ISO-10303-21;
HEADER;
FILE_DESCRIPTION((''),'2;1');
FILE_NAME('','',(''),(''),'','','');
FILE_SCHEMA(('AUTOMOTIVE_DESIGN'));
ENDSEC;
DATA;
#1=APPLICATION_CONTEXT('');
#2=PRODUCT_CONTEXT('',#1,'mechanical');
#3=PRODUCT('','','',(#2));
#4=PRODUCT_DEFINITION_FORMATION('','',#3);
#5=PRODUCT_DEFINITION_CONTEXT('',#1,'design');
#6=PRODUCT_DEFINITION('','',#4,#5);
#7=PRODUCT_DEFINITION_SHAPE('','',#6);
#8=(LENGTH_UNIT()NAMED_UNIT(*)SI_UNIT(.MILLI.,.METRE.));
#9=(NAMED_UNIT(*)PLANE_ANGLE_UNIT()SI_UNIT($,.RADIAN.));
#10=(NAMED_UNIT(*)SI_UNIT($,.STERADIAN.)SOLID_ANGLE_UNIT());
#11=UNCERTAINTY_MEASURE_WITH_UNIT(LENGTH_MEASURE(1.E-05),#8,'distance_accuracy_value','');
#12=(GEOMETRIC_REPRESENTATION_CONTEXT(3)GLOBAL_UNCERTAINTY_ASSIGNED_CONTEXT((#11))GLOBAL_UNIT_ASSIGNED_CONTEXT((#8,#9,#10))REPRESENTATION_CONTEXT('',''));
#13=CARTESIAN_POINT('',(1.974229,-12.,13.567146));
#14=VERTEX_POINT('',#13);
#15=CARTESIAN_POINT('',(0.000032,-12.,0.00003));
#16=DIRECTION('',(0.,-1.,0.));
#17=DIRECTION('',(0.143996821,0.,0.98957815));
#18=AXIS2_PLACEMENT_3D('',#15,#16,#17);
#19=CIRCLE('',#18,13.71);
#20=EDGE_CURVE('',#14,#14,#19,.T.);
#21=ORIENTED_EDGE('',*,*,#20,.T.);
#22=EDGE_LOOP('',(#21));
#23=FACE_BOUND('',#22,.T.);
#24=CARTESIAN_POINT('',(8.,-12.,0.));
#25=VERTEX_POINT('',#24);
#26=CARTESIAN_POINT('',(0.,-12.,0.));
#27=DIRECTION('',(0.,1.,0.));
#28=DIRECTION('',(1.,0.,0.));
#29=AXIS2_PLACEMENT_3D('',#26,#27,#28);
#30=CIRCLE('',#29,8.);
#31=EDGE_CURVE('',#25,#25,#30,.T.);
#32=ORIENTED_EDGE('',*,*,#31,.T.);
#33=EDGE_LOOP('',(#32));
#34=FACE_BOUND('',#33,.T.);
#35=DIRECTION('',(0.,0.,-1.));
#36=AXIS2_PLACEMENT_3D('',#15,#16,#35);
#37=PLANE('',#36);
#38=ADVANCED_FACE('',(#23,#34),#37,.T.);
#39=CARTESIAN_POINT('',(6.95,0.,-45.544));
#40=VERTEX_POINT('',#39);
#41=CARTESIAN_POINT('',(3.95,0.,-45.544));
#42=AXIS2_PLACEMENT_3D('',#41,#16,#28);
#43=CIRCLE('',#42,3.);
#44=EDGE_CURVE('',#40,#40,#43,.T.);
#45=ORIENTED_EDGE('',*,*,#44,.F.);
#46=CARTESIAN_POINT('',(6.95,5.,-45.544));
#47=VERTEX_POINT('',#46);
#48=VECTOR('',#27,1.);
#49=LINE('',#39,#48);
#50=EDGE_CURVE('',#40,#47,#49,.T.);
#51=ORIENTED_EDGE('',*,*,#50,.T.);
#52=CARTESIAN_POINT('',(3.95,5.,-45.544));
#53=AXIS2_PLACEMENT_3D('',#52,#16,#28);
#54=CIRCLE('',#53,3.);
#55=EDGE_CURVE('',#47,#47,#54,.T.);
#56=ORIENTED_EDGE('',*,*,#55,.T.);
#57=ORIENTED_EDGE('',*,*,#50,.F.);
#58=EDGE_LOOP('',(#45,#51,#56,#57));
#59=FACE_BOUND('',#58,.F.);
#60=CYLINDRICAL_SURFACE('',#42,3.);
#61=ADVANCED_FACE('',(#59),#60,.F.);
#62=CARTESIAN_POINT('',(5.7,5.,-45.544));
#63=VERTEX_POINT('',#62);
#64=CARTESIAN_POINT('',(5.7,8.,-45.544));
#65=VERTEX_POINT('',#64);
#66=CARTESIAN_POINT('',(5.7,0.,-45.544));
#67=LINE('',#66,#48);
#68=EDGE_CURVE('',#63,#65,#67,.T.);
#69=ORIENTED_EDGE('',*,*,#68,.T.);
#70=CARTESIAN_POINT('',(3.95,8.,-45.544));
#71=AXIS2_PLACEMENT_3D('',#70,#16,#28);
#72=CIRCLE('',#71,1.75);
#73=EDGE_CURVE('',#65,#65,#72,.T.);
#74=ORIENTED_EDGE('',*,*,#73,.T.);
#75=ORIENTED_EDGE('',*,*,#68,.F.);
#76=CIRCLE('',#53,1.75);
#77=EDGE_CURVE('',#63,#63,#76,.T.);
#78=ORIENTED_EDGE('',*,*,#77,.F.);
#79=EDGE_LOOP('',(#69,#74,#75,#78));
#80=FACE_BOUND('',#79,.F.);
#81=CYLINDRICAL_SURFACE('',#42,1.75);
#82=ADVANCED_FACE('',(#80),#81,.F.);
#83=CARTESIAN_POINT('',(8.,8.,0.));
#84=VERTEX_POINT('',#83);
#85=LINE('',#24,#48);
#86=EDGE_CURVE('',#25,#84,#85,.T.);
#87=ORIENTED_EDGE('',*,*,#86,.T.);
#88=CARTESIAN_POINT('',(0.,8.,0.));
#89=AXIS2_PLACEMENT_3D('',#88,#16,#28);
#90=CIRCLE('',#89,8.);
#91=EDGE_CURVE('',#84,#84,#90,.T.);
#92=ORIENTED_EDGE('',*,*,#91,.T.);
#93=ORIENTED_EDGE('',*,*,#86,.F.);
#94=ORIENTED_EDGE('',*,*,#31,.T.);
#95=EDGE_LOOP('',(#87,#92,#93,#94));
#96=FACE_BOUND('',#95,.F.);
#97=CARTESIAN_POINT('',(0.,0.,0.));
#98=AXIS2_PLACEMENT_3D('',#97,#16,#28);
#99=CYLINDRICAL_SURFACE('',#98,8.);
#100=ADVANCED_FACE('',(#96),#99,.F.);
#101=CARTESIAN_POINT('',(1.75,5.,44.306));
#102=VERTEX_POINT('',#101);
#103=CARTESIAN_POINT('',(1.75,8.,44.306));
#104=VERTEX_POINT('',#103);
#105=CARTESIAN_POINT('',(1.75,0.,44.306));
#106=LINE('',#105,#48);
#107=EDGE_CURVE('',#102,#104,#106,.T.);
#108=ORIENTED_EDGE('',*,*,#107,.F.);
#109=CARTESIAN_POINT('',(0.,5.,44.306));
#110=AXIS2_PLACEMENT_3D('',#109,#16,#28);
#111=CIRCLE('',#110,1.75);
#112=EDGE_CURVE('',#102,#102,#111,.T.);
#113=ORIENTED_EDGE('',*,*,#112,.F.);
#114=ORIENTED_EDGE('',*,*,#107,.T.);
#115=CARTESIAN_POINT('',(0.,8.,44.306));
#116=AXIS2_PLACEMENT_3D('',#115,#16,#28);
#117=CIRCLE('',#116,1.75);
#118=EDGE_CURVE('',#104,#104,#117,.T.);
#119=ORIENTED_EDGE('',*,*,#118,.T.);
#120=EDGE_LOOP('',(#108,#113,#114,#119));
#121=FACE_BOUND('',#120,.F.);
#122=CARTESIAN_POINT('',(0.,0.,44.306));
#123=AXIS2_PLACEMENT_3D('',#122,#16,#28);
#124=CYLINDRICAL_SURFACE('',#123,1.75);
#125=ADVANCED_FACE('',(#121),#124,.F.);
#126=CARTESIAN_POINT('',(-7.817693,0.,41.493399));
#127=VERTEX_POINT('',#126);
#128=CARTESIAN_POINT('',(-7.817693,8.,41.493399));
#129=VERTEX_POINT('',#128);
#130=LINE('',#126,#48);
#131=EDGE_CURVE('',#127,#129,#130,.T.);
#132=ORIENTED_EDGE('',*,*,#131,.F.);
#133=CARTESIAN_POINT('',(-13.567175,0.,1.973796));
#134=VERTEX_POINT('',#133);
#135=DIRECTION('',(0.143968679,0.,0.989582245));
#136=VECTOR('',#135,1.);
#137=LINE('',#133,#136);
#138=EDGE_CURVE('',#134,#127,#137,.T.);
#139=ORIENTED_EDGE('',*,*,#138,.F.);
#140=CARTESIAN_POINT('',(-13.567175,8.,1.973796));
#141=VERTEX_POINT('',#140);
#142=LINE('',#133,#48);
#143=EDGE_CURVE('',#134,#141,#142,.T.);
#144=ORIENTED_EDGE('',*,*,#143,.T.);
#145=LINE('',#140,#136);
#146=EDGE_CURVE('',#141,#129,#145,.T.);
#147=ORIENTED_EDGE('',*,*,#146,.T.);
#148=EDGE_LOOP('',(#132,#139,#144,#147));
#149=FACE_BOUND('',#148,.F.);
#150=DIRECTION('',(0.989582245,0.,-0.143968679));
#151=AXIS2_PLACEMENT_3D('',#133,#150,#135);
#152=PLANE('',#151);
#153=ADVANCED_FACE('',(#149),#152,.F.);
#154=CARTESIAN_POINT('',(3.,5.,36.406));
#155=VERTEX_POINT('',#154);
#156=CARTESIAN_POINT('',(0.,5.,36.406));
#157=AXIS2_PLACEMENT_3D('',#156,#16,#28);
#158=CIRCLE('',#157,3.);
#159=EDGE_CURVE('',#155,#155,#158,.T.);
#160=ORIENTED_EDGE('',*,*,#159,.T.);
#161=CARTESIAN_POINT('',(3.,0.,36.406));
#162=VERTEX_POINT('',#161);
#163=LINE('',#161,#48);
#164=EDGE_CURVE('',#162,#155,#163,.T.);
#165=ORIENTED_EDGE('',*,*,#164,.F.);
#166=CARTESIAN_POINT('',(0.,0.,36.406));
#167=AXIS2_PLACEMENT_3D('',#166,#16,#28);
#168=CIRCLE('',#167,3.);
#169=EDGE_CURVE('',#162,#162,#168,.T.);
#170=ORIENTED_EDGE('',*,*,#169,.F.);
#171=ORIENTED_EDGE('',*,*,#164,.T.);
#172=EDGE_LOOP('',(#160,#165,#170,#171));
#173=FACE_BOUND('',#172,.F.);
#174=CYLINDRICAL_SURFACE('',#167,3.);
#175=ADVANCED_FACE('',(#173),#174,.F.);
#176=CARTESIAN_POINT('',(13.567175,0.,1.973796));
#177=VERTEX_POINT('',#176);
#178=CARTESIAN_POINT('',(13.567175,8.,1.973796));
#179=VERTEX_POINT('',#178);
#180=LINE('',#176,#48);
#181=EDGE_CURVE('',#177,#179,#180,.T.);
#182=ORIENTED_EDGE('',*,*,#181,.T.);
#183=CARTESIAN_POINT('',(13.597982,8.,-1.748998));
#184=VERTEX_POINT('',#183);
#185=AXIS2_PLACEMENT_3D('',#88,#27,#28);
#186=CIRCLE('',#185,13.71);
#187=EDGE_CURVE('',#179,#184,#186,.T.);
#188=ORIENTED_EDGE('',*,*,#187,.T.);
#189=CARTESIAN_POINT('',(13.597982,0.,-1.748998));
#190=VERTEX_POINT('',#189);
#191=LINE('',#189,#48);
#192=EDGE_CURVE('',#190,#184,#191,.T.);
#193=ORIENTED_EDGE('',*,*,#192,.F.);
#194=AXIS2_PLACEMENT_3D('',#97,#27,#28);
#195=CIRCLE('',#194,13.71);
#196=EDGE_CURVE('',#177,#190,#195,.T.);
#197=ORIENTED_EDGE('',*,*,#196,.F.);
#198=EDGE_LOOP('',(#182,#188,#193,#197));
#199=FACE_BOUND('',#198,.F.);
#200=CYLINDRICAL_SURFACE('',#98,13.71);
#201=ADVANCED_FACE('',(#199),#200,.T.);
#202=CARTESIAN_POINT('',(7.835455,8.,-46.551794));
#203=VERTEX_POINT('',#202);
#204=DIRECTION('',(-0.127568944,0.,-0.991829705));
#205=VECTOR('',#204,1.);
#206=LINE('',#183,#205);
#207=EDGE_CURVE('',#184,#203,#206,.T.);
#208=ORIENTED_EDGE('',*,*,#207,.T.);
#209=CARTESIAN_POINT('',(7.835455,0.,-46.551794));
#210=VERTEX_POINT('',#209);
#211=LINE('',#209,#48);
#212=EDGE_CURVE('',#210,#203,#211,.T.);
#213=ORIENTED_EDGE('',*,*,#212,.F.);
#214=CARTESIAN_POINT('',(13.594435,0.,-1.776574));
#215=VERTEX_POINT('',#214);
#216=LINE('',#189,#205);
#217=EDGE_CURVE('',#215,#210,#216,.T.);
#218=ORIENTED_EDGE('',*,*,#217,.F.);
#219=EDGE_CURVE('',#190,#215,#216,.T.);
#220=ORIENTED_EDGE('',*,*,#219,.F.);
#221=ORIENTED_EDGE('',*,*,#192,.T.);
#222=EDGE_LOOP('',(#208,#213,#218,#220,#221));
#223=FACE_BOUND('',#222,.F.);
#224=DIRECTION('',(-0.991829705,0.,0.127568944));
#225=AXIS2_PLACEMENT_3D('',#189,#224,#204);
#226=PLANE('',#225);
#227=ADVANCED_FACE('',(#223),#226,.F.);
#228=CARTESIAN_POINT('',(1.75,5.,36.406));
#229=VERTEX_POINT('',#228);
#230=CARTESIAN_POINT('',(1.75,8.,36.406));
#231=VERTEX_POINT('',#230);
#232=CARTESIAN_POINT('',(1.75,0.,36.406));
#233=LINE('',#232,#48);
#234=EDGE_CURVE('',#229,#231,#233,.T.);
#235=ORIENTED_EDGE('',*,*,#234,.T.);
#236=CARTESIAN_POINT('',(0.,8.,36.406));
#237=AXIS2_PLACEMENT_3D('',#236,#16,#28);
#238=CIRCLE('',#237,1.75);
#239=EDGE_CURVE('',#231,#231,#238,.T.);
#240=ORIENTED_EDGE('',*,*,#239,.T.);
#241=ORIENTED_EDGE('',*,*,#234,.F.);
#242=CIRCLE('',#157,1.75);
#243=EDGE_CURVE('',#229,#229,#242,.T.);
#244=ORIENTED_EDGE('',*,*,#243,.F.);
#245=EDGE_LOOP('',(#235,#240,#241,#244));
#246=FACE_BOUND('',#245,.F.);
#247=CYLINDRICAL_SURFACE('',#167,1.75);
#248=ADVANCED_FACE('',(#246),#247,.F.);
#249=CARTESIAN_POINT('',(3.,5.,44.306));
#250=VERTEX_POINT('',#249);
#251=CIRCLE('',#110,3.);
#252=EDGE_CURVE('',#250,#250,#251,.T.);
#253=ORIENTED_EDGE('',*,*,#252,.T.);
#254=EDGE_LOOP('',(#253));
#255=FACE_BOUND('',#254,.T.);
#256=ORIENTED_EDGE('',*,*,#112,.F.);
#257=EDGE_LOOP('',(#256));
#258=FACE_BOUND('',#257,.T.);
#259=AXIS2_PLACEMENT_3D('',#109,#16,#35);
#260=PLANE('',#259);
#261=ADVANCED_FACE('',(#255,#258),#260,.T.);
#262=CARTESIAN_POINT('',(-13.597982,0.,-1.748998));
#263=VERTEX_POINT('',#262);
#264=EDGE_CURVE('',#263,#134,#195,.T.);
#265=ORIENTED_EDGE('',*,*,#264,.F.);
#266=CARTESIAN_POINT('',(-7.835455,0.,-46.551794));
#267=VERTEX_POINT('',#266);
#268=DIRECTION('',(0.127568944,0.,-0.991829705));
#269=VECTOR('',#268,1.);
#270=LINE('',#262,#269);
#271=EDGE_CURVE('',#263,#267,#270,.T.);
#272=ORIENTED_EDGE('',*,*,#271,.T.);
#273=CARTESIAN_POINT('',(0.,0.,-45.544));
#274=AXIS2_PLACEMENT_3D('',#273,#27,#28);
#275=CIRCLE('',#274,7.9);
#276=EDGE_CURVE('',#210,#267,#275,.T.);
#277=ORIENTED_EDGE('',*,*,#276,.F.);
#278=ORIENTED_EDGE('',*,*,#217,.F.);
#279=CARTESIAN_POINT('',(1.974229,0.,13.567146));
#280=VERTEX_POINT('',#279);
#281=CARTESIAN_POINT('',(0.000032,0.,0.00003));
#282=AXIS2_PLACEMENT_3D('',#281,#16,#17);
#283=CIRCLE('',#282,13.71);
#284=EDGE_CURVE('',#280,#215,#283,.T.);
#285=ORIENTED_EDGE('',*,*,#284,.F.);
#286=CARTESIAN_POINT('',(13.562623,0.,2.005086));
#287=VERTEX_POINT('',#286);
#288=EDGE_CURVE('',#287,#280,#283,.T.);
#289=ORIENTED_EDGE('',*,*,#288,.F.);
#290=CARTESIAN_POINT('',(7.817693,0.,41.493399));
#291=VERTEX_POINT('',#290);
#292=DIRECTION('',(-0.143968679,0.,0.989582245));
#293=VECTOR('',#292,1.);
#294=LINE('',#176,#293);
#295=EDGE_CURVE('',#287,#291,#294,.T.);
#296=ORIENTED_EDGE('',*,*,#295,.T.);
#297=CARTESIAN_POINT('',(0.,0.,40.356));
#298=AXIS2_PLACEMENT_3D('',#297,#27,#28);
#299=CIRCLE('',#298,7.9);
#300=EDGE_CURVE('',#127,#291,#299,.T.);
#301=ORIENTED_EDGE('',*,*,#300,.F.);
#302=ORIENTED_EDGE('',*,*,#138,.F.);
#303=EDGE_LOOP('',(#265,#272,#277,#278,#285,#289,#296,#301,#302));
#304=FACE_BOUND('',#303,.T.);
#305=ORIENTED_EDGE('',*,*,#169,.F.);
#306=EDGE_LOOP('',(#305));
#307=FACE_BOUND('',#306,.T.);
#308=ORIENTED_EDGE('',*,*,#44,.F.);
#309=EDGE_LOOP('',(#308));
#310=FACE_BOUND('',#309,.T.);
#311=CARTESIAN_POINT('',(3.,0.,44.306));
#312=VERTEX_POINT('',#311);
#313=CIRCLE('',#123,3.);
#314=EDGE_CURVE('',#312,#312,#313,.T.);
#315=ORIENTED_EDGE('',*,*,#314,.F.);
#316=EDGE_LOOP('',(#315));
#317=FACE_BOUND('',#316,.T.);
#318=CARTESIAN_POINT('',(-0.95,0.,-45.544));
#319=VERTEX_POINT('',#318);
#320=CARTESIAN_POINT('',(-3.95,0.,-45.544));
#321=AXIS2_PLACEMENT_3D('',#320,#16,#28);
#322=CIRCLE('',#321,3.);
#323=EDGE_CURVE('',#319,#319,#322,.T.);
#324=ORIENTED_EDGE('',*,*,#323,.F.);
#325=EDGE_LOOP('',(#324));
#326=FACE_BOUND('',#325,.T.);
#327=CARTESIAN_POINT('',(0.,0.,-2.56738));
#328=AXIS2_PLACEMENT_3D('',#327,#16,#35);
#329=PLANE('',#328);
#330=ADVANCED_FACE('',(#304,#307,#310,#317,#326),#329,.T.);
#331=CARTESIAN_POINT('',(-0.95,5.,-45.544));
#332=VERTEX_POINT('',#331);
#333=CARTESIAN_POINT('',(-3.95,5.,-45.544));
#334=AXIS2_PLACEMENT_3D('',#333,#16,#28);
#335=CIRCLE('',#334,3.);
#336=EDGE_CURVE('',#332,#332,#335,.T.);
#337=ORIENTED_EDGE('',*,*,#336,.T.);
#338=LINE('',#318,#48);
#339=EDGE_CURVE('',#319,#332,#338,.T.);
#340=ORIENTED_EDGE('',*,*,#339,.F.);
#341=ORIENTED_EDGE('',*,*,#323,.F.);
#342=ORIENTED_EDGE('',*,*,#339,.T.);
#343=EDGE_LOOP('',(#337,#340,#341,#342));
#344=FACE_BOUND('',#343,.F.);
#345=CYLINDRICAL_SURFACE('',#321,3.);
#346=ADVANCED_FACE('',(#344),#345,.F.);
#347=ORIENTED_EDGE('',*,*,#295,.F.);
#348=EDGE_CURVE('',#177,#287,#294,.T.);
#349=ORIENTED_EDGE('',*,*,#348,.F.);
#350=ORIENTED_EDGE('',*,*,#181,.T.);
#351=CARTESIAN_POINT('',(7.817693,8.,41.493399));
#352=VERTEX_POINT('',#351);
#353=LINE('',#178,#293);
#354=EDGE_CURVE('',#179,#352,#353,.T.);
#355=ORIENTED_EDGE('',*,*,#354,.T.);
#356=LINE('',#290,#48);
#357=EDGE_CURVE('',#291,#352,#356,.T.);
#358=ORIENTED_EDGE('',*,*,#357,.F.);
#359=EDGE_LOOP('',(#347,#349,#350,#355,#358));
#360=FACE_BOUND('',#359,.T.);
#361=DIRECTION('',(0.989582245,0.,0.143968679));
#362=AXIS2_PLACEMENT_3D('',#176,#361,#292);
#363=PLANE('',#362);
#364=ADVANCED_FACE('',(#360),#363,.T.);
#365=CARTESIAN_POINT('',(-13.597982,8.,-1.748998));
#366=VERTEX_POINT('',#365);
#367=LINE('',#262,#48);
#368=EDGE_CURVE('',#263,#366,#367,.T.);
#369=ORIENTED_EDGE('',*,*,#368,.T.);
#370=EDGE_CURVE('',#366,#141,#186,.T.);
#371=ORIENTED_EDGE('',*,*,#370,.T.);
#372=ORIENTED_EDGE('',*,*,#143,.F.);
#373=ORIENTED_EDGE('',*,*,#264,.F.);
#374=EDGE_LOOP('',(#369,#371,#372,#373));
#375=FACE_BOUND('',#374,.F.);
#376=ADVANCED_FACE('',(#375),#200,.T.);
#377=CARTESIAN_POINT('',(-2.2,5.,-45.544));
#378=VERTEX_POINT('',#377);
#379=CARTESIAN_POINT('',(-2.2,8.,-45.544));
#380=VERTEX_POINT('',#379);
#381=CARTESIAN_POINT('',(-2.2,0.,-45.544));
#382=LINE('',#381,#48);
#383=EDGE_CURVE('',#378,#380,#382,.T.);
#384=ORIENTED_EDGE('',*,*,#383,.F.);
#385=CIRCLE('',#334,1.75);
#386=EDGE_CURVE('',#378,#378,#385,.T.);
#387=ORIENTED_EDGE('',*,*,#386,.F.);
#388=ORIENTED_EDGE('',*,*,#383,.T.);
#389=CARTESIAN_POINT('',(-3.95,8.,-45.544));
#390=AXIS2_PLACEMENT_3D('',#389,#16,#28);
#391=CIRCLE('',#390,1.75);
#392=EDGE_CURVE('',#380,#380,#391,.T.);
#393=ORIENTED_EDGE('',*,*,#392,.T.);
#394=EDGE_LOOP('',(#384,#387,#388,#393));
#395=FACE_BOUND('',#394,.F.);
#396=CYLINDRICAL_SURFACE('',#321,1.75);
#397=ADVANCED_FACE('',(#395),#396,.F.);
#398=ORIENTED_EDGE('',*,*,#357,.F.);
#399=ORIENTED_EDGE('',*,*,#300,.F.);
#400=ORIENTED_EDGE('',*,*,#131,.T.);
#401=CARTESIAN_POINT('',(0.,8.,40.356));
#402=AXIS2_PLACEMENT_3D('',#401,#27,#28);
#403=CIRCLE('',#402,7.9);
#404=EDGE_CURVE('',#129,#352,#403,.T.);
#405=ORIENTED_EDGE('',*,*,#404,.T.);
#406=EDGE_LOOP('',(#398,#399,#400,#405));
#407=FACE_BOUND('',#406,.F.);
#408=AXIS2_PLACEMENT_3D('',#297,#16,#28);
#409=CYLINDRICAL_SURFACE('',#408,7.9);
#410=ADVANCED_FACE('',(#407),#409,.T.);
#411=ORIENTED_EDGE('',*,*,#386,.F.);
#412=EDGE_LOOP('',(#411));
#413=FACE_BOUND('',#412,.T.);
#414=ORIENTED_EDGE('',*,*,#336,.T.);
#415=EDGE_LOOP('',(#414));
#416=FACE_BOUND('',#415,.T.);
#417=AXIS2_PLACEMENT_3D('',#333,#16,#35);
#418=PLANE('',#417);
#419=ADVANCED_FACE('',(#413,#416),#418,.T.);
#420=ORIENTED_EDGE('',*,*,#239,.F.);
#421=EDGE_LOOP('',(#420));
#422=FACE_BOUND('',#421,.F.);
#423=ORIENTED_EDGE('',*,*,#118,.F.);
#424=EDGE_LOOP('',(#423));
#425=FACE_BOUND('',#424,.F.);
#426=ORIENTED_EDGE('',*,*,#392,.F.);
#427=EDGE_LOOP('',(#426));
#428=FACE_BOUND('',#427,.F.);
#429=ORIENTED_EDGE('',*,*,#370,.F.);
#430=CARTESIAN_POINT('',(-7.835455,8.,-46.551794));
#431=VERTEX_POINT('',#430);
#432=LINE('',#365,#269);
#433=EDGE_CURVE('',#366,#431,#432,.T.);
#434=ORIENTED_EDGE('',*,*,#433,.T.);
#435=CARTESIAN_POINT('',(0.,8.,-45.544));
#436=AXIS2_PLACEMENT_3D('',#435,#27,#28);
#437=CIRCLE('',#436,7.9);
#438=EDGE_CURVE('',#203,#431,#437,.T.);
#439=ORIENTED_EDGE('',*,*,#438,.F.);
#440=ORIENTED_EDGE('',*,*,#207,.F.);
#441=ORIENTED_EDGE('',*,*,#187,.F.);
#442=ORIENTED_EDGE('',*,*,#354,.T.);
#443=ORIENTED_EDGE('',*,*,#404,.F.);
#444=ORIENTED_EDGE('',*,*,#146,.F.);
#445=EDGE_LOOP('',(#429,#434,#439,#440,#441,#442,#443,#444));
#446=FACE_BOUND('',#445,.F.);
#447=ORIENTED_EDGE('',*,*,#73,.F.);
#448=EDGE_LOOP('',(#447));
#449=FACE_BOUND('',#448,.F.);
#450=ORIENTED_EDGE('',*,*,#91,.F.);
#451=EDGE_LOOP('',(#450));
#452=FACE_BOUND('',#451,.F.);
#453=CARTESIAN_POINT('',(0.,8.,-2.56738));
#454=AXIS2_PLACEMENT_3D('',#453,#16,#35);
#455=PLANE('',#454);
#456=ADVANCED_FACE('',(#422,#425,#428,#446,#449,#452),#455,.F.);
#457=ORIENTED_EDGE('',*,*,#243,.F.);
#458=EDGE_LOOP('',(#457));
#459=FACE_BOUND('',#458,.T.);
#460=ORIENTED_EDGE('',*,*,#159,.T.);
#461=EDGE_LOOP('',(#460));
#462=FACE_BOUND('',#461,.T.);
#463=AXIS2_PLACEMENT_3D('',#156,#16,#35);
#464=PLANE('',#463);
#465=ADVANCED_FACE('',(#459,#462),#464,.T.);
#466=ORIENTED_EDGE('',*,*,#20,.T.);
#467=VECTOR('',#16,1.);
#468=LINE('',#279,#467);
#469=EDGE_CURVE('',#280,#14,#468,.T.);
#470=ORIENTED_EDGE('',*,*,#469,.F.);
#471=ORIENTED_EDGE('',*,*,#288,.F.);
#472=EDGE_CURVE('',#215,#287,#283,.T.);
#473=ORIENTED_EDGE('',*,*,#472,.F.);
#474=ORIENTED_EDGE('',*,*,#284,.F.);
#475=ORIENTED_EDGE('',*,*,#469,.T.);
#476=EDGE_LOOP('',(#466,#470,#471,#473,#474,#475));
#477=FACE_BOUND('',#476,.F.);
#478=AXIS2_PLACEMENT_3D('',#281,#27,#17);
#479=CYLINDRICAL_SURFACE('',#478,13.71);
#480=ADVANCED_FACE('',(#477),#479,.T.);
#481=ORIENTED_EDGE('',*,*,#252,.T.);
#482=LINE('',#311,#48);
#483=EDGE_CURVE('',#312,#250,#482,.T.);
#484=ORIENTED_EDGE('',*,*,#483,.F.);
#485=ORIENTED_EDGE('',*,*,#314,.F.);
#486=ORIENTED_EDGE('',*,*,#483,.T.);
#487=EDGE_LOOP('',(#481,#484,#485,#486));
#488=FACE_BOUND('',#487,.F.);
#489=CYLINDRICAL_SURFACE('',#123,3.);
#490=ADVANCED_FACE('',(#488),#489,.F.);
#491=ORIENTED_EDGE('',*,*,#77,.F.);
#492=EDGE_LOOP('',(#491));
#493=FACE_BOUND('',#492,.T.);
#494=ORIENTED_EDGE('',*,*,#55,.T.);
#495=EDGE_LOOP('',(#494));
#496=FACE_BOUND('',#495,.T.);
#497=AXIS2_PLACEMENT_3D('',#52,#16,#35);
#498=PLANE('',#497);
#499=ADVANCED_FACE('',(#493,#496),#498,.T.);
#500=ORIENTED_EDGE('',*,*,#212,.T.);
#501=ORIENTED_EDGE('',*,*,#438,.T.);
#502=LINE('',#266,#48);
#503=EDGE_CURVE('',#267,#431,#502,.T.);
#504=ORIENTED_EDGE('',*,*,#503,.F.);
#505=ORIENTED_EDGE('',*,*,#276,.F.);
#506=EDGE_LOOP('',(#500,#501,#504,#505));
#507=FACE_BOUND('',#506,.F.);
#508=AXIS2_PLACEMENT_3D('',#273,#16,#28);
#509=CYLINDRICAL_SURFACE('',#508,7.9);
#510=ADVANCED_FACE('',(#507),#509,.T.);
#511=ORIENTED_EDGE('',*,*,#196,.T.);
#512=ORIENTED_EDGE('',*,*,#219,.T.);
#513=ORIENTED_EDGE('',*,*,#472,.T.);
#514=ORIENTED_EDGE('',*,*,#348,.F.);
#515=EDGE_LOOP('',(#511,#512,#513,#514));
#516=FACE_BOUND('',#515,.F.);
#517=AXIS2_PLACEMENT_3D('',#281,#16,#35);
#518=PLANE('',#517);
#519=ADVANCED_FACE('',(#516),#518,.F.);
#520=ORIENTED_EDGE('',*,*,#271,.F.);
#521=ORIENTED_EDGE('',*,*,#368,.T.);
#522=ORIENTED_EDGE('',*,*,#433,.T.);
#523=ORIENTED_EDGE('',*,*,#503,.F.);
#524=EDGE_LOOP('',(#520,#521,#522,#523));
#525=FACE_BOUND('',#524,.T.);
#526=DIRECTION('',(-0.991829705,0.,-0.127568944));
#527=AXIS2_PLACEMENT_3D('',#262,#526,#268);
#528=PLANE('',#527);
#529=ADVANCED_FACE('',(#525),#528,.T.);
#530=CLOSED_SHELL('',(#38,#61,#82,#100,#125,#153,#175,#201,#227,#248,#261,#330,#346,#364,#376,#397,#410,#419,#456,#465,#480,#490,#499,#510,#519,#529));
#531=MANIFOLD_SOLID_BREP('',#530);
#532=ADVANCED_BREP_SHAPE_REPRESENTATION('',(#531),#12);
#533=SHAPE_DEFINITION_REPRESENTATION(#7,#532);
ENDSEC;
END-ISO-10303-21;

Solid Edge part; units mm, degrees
sketch "Sketch1" plane through (0, 0, 0) normal (0, -1, 0) x (1, 0, 0)
  line L0 (13.5672, 1.9738) -> (7.8177, 41.4934)
  line L1 (-13.5672, 1.9738) -> (-7.8177, 41.4934)
  line L2 (-13.598, -1.749) -> (-7.8355, -46.5518)
  line L3 (13.598, -1.749) -> (7.8355, -46.5518)
  arc A0 (13.5672, 1.9738) -> (13.598, -1.749) centre (0, 0) cw
  arc A1 (-7.8177, 41.4934) -> (7.8177, 41.4934) centre (0, 40.356) cw
  arc A2 (-13.598, -1.749) -> (-13.5672, 1.9738) centre (0, 0) cw
  arc A3 (7.8355, -46.5518) -> (-7.8355, -46.5518) centre (0, -45.544) cw
extrude "Protrusion1" add sketch "Sketch1" against normal blind 8
sketch "Sketch2" plane through (0, 0, 0) normal (0, -1, 0) x (1, 0, 0)
  circle A0 centre (0, 44.306) radius 3
  circle A1 centre (0, 36.406) radius 3
  circle A2 centre (3.95, -45.544) radius 3
  circle A3 centre (-3.95, -45.544) radius 3
extrude "ExtrudedCutout_1" cut sketch "Sketch2" against normal blind 5
sketch "Sketch3" plane through (0, 0, 0) normal (0, -1, 0) x (1, 0, 0)
  circle A0 centre (0, 44.306) radius 1.75
  circle A1 centre (0, 36.406) radius 1.75
  circle A2 centre (-3.95, -45.544) radius 1.75
  circle A3 centre (3.95, -45.544) radius 1.75
extrude "ExtrudedCutout_2" cut sketch "Sketch3" against normal blind 71.9635
sketch "Sketch4" plane through (0, 0, -2.594) normal (0, -1, 0) x (0.144, 0, 0.9896)
  circle A0 centre (2.567, 0.3735) radius 13.71
extrude "ExtrudedProtrusion_2" add sketch "Sketch4" along normal blind 12
sketch "Sketch5" plane through (0, 0, 0) normal (0, -1, 0) x (1, 0, 0)
  circle A0 centre (0, 0) radius 8
extrude "ExtrudedCutout_3" cut sketch "Sketch5" along normal mid plane 127.9785
